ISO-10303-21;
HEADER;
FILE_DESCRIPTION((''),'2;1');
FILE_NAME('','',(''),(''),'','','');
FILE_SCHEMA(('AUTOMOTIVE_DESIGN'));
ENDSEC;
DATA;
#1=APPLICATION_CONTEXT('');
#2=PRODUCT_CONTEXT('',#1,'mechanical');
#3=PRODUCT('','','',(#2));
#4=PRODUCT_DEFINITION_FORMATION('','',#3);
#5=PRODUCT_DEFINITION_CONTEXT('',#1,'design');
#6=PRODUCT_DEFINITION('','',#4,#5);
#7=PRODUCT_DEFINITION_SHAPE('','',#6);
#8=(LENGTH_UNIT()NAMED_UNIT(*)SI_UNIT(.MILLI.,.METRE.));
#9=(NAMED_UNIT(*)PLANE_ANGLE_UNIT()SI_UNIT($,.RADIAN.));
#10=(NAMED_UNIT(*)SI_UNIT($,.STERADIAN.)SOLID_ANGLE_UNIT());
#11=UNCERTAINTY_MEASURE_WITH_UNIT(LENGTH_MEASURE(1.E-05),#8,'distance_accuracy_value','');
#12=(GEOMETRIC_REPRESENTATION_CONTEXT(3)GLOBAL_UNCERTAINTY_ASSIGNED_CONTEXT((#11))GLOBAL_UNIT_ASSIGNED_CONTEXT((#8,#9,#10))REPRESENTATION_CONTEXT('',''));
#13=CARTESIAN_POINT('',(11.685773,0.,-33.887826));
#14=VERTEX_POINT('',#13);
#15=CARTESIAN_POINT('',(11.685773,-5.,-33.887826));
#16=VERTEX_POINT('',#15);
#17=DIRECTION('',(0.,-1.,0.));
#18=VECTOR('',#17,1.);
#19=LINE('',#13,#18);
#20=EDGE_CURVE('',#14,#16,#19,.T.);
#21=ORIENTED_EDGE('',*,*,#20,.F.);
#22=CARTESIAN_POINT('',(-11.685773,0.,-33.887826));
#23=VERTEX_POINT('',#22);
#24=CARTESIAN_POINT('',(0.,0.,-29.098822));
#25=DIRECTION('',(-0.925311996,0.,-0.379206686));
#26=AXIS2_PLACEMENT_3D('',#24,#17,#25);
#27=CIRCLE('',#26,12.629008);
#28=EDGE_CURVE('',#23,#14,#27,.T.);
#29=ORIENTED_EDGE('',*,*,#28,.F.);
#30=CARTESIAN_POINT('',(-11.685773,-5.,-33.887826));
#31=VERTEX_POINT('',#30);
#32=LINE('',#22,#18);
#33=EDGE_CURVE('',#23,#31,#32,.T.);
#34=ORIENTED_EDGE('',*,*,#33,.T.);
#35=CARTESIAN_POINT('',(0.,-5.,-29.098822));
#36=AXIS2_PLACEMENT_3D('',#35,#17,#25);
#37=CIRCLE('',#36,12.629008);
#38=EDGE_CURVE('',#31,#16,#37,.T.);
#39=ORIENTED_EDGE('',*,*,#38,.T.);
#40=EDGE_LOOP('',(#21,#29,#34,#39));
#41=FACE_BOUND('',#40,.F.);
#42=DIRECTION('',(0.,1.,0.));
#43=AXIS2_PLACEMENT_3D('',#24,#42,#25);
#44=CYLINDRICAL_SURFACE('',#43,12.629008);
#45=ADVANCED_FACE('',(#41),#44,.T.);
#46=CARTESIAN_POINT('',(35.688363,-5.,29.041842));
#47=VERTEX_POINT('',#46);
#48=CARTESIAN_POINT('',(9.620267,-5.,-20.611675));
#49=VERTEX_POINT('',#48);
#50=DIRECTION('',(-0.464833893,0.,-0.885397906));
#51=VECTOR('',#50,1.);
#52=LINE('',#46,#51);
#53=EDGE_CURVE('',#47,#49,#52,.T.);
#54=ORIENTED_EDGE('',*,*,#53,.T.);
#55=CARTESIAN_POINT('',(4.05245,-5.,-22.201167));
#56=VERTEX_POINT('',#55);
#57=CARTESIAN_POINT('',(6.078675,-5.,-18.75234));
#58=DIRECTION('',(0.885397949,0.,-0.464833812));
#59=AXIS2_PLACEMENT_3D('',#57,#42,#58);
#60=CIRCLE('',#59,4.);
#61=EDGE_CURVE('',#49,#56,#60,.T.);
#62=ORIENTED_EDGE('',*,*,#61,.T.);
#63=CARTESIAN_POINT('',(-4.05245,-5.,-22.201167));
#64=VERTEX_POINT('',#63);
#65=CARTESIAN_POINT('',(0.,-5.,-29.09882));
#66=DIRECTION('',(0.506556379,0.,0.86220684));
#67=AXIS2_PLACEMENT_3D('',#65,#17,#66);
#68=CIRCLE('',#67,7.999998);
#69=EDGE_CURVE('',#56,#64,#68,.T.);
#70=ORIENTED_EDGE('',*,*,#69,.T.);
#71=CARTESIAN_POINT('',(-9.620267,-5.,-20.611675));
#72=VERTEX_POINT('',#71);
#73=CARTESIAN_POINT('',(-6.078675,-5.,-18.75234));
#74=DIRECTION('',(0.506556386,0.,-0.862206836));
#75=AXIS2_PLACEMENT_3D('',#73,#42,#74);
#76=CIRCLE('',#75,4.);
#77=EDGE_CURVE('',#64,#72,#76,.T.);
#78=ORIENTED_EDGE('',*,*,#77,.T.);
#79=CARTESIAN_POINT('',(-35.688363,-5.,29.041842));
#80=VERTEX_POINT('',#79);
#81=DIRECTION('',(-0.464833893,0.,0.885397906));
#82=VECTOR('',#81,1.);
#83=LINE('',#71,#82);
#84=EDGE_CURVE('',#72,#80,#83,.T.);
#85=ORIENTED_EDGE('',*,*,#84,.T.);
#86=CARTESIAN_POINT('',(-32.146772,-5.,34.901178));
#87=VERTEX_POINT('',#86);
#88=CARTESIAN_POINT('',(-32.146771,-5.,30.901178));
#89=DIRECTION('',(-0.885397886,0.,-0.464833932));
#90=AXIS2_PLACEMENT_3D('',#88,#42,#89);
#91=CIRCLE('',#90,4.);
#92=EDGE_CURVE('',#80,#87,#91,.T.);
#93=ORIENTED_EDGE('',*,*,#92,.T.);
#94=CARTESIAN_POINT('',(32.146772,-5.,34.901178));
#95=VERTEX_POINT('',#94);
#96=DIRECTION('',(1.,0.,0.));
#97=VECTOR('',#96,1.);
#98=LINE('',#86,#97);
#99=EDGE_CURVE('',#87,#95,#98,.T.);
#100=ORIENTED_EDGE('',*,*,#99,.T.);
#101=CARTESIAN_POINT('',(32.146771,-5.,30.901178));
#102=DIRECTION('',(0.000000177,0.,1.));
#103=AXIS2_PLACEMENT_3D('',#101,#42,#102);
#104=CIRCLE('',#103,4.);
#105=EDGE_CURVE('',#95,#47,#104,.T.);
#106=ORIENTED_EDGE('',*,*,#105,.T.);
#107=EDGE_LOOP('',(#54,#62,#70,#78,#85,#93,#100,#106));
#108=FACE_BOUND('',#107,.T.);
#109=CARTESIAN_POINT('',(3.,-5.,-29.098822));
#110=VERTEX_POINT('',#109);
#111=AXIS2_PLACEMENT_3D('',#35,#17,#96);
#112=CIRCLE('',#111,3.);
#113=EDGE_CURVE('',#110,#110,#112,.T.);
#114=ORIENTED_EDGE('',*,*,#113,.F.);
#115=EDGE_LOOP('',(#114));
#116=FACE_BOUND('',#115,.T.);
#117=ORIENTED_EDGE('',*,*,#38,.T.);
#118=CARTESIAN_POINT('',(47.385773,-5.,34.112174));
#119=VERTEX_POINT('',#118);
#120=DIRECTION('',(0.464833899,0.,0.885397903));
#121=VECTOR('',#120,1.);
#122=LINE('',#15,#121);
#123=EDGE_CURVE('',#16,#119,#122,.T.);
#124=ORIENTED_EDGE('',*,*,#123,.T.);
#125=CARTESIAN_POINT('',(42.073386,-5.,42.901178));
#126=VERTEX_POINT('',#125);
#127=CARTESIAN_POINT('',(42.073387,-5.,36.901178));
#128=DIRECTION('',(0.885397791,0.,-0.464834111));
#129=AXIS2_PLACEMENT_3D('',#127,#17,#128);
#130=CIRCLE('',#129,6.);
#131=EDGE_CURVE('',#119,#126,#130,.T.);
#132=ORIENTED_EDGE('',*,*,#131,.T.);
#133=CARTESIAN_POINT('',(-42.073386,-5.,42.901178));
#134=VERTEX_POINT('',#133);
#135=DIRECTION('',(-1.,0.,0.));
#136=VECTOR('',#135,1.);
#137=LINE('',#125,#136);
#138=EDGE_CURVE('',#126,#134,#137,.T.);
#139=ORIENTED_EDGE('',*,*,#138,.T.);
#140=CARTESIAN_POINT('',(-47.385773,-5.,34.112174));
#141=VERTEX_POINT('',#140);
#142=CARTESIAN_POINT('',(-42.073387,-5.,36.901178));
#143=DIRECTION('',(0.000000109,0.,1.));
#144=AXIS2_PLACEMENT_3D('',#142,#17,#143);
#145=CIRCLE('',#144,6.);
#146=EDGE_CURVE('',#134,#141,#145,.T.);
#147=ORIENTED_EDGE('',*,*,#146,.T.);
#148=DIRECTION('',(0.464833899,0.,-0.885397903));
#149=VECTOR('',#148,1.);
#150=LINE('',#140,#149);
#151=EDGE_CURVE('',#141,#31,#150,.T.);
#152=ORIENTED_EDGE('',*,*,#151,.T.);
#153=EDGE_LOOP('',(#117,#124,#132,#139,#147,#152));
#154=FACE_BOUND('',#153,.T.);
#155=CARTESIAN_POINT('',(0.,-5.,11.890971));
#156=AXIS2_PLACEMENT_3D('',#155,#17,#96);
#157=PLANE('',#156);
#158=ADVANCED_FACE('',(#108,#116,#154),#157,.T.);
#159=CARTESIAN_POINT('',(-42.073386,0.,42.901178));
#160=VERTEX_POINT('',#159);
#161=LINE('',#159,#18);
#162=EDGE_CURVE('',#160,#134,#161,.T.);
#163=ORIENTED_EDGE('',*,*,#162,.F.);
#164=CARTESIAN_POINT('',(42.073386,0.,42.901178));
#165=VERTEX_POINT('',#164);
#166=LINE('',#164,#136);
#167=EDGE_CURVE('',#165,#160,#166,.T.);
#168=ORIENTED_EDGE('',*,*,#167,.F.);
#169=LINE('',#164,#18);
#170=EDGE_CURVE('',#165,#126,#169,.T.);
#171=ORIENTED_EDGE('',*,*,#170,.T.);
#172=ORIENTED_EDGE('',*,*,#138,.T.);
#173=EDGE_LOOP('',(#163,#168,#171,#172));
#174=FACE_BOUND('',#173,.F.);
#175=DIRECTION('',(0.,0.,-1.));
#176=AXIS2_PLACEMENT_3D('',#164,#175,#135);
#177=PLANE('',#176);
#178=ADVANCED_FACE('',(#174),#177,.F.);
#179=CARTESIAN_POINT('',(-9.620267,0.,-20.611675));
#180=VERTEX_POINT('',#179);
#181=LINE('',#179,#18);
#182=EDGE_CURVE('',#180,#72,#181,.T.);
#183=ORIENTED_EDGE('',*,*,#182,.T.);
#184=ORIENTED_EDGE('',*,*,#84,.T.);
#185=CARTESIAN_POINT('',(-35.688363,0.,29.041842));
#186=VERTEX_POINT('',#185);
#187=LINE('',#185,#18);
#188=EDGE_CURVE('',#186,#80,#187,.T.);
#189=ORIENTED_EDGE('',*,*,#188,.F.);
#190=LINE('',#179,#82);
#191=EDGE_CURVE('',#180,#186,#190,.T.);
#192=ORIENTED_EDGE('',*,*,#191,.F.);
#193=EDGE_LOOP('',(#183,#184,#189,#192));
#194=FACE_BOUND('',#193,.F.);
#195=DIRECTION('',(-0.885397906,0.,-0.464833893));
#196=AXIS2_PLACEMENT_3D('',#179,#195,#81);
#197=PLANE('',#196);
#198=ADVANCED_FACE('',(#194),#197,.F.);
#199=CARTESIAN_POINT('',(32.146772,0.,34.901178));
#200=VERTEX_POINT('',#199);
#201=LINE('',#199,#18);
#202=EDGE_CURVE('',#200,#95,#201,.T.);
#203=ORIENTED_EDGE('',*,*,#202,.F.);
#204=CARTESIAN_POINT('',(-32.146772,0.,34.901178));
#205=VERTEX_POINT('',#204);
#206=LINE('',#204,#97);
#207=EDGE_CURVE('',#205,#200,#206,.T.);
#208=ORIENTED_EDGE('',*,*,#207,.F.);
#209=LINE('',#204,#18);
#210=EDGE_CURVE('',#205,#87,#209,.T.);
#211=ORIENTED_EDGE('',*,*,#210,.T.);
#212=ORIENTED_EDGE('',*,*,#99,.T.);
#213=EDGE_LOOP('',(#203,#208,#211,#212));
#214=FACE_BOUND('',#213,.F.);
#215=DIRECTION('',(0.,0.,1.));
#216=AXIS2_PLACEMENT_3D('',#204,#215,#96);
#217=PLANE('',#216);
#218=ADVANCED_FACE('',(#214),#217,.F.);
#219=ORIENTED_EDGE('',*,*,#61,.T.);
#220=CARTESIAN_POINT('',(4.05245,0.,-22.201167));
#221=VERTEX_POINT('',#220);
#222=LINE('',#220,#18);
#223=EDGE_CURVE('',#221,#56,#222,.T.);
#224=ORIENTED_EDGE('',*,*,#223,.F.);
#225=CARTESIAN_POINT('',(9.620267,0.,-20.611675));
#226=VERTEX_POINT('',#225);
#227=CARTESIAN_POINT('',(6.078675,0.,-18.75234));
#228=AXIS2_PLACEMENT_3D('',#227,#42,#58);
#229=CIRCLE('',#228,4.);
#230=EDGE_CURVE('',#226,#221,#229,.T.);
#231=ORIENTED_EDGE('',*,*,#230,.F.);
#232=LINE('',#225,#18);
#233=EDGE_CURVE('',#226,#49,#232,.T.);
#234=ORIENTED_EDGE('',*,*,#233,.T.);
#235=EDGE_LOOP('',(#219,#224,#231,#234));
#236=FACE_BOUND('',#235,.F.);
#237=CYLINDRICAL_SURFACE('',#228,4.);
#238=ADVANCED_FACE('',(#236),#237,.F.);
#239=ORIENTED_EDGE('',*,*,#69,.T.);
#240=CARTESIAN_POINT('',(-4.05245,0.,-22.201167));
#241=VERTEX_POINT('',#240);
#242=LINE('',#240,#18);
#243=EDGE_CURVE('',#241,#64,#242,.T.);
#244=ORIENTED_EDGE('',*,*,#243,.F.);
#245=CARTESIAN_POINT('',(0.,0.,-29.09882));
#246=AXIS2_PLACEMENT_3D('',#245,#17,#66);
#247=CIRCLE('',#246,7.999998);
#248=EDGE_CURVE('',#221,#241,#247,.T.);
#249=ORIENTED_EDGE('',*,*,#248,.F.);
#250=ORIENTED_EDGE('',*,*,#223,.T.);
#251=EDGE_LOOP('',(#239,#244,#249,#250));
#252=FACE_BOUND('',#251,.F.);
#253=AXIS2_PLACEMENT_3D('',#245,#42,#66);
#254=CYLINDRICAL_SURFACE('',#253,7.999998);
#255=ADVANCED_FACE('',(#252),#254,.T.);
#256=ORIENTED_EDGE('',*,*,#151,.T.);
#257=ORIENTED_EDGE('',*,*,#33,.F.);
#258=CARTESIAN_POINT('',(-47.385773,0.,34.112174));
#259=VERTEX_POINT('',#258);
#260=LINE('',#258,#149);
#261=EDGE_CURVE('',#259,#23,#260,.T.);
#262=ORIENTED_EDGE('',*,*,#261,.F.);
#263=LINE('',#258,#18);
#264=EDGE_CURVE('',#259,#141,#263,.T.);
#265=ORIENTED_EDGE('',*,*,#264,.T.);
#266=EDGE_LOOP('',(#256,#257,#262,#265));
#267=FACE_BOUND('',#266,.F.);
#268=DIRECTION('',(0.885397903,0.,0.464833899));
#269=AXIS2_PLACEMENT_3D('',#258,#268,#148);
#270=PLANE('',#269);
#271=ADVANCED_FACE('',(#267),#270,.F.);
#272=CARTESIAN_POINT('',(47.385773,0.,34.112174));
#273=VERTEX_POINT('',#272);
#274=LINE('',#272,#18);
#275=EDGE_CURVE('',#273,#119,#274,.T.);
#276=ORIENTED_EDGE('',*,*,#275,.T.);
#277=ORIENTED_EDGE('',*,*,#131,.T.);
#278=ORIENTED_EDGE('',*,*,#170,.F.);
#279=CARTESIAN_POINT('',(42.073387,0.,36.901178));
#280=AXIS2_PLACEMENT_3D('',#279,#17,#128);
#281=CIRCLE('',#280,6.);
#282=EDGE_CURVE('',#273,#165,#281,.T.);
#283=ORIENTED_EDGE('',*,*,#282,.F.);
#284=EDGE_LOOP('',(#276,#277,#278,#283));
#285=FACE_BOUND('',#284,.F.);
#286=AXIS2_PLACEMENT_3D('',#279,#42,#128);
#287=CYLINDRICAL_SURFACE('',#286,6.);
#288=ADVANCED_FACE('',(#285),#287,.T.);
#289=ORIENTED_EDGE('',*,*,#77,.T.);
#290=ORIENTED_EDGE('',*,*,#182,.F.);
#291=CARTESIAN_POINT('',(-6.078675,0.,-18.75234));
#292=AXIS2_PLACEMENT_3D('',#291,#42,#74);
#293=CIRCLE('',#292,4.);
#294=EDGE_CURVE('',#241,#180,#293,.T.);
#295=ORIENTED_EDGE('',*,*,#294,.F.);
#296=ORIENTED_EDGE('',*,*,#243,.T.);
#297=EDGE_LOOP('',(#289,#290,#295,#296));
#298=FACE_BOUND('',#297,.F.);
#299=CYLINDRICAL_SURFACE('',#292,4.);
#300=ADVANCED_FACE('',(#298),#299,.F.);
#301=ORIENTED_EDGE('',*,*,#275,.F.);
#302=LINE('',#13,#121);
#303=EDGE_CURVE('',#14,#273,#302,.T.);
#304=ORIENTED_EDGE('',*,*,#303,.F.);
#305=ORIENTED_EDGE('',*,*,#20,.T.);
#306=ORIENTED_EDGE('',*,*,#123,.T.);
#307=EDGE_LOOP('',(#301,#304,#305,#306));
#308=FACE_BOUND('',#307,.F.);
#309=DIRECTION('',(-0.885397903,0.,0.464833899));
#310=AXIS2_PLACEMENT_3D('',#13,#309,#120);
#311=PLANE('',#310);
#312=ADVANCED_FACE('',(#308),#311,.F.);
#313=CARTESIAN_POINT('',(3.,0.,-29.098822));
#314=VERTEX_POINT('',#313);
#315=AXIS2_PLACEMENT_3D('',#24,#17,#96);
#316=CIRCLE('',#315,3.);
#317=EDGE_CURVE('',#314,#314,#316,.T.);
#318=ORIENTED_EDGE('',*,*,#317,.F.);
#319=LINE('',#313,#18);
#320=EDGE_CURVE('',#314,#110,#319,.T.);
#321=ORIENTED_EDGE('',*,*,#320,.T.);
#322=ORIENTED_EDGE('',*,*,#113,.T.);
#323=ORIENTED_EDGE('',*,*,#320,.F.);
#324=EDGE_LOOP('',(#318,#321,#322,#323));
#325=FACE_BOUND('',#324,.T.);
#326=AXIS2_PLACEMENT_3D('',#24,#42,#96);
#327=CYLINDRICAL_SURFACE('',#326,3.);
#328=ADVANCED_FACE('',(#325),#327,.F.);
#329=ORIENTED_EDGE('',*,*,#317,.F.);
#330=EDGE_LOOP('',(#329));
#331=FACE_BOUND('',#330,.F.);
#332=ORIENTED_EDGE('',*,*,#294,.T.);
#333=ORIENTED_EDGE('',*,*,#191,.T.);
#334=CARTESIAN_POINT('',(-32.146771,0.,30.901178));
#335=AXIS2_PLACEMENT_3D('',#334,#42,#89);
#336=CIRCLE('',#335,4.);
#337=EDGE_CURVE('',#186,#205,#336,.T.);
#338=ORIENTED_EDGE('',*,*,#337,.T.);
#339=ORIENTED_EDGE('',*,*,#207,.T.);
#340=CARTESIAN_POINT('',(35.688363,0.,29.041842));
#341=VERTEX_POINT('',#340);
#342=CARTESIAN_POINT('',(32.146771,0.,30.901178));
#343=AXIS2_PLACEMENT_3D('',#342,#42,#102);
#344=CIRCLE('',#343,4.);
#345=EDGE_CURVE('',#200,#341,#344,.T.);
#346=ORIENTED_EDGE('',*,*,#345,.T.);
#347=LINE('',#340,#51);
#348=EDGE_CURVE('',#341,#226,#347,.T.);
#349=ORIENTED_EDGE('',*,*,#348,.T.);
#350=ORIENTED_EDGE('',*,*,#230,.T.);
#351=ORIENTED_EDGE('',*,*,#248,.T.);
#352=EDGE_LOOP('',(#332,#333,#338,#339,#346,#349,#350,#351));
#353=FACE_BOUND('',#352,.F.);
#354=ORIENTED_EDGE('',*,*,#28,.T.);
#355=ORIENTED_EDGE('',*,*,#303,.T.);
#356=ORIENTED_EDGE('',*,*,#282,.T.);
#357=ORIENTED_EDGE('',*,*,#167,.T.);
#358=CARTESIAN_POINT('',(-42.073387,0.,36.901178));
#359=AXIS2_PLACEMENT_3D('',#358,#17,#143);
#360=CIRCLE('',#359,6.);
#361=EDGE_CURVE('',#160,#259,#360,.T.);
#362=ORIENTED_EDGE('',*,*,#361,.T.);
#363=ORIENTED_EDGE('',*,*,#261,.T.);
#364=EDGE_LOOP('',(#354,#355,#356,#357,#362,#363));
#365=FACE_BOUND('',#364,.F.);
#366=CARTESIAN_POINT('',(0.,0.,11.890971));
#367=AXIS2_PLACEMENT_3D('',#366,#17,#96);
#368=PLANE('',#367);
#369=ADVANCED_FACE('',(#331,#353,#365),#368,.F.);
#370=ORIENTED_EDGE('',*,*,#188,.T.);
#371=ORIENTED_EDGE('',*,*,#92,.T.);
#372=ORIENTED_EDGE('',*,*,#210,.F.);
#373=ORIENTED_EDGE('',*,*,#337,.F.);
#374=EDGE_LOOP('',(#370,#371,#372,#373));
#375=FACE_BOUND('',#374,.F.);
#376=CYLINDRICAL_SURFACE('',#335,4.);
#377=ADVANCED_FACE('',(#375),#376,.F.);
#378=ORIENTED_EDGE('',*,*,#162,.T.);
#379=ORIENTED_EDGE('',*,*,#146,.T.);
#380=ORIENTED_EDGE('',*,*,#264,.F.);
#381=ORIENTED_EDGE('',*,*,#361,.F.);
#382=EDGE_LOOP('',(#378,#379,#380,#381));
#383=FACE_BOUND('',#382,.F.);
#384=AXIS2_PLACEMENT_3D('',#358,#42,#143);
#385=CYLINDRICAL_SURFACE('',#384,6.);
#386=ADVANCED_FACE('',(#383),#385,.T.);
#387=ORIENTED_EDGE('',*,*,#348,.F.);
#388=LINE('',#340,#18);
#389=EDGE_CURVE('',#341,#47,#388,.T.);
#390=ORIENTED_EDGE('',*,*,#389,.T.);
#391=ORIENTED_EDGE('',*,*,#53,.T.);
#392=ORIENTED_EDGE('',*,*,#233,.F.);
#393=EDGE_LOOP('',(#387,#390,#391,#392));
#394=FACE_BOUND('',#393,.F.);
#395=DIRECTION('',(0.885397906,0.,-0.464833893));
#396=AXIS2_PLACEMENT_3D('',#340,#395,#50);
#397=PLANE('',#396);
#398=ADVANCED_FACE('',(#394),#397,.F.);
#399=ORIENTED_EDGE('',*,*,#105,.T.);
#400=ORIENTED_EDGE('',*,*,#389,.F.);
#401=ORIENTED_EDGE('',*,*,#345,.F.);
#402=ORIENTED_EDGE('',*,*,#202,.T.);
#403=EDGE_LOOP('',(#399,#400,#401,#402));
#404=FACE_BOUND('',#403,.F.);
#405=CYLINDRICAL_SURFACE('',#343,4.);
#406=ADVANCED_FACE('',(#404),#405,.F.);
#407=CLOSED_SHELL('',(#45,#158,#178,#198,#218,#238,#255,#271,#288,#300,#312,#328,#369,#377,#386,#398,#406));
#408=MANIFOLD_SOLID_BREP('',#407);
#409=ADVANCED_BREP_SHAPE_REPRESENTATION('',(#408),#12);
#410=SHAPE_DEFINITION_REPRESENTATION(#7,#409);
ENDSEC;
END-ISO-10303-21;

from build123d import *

# Parameters (mm, degrees)
F0_R     = 3
F1_DEPTH = 5


with BuildPart() as f1:
    # F0 (on Front) → F1 (new body)
    with BuildSketch(Plane.XZ):
        with BuildLine():
            Line((42.073386, 42.901178), (-42.073386, 42.901178))
            ThreePointArc((-42.073386, 42.901178), (-47.208268, 40.004884), (-47.385773, 34.112174))
            Line((-47.385773, 34.112174), (-11.685773, -33.887826))
            ThreePointArc((-11.685773, -33.887826), (0, -41.72783), (11.685773, -33.887826))
            Line((11.685773, -33.887826), (47.385773, 34.112174))
            ThreePointArc((47.385773, 34.112174), (47.208268, 40.004884), (42.073386, 42.901178))
        make_face()
        with Locations((0, -29.098822)):
            Circle(F0_R, mode=Mode.SUBTRACT)
        with BuildLine():
            Line((-9.620267, -20.611675), (-35.688363, 29.041842))
            ThreePointArc((-35.688363, 29.041842), (-35.570026, 32.970315), (-32.146772, 34.901178))
            Line((-32.146772, 34.901178), (32.146772, 34.901178))
            ThreePointArc((32.146772, 34.901178), (35.570026, 32.970315), (35.688363, 29.041842))
            Line((35.688363, 29.041842), (9.620267, -20.611675))
            ThreePointArc((9.620267, -20.611675), (7.176721, -22.598675), (4.05245, -22.201167))
            ThreePointArc((4.05245, -22.201167), (0, -21.098822), (-4.05245, -22.201167))
            ThreePointArc((-4.05245, -22.201167), (-7.176721, -22.598675), (-9.620267, -20.611675))
        make_face(mode=Mode.SUBTRACT)
    extrude(amount=F1_DEPTH)


solid = f1.part
